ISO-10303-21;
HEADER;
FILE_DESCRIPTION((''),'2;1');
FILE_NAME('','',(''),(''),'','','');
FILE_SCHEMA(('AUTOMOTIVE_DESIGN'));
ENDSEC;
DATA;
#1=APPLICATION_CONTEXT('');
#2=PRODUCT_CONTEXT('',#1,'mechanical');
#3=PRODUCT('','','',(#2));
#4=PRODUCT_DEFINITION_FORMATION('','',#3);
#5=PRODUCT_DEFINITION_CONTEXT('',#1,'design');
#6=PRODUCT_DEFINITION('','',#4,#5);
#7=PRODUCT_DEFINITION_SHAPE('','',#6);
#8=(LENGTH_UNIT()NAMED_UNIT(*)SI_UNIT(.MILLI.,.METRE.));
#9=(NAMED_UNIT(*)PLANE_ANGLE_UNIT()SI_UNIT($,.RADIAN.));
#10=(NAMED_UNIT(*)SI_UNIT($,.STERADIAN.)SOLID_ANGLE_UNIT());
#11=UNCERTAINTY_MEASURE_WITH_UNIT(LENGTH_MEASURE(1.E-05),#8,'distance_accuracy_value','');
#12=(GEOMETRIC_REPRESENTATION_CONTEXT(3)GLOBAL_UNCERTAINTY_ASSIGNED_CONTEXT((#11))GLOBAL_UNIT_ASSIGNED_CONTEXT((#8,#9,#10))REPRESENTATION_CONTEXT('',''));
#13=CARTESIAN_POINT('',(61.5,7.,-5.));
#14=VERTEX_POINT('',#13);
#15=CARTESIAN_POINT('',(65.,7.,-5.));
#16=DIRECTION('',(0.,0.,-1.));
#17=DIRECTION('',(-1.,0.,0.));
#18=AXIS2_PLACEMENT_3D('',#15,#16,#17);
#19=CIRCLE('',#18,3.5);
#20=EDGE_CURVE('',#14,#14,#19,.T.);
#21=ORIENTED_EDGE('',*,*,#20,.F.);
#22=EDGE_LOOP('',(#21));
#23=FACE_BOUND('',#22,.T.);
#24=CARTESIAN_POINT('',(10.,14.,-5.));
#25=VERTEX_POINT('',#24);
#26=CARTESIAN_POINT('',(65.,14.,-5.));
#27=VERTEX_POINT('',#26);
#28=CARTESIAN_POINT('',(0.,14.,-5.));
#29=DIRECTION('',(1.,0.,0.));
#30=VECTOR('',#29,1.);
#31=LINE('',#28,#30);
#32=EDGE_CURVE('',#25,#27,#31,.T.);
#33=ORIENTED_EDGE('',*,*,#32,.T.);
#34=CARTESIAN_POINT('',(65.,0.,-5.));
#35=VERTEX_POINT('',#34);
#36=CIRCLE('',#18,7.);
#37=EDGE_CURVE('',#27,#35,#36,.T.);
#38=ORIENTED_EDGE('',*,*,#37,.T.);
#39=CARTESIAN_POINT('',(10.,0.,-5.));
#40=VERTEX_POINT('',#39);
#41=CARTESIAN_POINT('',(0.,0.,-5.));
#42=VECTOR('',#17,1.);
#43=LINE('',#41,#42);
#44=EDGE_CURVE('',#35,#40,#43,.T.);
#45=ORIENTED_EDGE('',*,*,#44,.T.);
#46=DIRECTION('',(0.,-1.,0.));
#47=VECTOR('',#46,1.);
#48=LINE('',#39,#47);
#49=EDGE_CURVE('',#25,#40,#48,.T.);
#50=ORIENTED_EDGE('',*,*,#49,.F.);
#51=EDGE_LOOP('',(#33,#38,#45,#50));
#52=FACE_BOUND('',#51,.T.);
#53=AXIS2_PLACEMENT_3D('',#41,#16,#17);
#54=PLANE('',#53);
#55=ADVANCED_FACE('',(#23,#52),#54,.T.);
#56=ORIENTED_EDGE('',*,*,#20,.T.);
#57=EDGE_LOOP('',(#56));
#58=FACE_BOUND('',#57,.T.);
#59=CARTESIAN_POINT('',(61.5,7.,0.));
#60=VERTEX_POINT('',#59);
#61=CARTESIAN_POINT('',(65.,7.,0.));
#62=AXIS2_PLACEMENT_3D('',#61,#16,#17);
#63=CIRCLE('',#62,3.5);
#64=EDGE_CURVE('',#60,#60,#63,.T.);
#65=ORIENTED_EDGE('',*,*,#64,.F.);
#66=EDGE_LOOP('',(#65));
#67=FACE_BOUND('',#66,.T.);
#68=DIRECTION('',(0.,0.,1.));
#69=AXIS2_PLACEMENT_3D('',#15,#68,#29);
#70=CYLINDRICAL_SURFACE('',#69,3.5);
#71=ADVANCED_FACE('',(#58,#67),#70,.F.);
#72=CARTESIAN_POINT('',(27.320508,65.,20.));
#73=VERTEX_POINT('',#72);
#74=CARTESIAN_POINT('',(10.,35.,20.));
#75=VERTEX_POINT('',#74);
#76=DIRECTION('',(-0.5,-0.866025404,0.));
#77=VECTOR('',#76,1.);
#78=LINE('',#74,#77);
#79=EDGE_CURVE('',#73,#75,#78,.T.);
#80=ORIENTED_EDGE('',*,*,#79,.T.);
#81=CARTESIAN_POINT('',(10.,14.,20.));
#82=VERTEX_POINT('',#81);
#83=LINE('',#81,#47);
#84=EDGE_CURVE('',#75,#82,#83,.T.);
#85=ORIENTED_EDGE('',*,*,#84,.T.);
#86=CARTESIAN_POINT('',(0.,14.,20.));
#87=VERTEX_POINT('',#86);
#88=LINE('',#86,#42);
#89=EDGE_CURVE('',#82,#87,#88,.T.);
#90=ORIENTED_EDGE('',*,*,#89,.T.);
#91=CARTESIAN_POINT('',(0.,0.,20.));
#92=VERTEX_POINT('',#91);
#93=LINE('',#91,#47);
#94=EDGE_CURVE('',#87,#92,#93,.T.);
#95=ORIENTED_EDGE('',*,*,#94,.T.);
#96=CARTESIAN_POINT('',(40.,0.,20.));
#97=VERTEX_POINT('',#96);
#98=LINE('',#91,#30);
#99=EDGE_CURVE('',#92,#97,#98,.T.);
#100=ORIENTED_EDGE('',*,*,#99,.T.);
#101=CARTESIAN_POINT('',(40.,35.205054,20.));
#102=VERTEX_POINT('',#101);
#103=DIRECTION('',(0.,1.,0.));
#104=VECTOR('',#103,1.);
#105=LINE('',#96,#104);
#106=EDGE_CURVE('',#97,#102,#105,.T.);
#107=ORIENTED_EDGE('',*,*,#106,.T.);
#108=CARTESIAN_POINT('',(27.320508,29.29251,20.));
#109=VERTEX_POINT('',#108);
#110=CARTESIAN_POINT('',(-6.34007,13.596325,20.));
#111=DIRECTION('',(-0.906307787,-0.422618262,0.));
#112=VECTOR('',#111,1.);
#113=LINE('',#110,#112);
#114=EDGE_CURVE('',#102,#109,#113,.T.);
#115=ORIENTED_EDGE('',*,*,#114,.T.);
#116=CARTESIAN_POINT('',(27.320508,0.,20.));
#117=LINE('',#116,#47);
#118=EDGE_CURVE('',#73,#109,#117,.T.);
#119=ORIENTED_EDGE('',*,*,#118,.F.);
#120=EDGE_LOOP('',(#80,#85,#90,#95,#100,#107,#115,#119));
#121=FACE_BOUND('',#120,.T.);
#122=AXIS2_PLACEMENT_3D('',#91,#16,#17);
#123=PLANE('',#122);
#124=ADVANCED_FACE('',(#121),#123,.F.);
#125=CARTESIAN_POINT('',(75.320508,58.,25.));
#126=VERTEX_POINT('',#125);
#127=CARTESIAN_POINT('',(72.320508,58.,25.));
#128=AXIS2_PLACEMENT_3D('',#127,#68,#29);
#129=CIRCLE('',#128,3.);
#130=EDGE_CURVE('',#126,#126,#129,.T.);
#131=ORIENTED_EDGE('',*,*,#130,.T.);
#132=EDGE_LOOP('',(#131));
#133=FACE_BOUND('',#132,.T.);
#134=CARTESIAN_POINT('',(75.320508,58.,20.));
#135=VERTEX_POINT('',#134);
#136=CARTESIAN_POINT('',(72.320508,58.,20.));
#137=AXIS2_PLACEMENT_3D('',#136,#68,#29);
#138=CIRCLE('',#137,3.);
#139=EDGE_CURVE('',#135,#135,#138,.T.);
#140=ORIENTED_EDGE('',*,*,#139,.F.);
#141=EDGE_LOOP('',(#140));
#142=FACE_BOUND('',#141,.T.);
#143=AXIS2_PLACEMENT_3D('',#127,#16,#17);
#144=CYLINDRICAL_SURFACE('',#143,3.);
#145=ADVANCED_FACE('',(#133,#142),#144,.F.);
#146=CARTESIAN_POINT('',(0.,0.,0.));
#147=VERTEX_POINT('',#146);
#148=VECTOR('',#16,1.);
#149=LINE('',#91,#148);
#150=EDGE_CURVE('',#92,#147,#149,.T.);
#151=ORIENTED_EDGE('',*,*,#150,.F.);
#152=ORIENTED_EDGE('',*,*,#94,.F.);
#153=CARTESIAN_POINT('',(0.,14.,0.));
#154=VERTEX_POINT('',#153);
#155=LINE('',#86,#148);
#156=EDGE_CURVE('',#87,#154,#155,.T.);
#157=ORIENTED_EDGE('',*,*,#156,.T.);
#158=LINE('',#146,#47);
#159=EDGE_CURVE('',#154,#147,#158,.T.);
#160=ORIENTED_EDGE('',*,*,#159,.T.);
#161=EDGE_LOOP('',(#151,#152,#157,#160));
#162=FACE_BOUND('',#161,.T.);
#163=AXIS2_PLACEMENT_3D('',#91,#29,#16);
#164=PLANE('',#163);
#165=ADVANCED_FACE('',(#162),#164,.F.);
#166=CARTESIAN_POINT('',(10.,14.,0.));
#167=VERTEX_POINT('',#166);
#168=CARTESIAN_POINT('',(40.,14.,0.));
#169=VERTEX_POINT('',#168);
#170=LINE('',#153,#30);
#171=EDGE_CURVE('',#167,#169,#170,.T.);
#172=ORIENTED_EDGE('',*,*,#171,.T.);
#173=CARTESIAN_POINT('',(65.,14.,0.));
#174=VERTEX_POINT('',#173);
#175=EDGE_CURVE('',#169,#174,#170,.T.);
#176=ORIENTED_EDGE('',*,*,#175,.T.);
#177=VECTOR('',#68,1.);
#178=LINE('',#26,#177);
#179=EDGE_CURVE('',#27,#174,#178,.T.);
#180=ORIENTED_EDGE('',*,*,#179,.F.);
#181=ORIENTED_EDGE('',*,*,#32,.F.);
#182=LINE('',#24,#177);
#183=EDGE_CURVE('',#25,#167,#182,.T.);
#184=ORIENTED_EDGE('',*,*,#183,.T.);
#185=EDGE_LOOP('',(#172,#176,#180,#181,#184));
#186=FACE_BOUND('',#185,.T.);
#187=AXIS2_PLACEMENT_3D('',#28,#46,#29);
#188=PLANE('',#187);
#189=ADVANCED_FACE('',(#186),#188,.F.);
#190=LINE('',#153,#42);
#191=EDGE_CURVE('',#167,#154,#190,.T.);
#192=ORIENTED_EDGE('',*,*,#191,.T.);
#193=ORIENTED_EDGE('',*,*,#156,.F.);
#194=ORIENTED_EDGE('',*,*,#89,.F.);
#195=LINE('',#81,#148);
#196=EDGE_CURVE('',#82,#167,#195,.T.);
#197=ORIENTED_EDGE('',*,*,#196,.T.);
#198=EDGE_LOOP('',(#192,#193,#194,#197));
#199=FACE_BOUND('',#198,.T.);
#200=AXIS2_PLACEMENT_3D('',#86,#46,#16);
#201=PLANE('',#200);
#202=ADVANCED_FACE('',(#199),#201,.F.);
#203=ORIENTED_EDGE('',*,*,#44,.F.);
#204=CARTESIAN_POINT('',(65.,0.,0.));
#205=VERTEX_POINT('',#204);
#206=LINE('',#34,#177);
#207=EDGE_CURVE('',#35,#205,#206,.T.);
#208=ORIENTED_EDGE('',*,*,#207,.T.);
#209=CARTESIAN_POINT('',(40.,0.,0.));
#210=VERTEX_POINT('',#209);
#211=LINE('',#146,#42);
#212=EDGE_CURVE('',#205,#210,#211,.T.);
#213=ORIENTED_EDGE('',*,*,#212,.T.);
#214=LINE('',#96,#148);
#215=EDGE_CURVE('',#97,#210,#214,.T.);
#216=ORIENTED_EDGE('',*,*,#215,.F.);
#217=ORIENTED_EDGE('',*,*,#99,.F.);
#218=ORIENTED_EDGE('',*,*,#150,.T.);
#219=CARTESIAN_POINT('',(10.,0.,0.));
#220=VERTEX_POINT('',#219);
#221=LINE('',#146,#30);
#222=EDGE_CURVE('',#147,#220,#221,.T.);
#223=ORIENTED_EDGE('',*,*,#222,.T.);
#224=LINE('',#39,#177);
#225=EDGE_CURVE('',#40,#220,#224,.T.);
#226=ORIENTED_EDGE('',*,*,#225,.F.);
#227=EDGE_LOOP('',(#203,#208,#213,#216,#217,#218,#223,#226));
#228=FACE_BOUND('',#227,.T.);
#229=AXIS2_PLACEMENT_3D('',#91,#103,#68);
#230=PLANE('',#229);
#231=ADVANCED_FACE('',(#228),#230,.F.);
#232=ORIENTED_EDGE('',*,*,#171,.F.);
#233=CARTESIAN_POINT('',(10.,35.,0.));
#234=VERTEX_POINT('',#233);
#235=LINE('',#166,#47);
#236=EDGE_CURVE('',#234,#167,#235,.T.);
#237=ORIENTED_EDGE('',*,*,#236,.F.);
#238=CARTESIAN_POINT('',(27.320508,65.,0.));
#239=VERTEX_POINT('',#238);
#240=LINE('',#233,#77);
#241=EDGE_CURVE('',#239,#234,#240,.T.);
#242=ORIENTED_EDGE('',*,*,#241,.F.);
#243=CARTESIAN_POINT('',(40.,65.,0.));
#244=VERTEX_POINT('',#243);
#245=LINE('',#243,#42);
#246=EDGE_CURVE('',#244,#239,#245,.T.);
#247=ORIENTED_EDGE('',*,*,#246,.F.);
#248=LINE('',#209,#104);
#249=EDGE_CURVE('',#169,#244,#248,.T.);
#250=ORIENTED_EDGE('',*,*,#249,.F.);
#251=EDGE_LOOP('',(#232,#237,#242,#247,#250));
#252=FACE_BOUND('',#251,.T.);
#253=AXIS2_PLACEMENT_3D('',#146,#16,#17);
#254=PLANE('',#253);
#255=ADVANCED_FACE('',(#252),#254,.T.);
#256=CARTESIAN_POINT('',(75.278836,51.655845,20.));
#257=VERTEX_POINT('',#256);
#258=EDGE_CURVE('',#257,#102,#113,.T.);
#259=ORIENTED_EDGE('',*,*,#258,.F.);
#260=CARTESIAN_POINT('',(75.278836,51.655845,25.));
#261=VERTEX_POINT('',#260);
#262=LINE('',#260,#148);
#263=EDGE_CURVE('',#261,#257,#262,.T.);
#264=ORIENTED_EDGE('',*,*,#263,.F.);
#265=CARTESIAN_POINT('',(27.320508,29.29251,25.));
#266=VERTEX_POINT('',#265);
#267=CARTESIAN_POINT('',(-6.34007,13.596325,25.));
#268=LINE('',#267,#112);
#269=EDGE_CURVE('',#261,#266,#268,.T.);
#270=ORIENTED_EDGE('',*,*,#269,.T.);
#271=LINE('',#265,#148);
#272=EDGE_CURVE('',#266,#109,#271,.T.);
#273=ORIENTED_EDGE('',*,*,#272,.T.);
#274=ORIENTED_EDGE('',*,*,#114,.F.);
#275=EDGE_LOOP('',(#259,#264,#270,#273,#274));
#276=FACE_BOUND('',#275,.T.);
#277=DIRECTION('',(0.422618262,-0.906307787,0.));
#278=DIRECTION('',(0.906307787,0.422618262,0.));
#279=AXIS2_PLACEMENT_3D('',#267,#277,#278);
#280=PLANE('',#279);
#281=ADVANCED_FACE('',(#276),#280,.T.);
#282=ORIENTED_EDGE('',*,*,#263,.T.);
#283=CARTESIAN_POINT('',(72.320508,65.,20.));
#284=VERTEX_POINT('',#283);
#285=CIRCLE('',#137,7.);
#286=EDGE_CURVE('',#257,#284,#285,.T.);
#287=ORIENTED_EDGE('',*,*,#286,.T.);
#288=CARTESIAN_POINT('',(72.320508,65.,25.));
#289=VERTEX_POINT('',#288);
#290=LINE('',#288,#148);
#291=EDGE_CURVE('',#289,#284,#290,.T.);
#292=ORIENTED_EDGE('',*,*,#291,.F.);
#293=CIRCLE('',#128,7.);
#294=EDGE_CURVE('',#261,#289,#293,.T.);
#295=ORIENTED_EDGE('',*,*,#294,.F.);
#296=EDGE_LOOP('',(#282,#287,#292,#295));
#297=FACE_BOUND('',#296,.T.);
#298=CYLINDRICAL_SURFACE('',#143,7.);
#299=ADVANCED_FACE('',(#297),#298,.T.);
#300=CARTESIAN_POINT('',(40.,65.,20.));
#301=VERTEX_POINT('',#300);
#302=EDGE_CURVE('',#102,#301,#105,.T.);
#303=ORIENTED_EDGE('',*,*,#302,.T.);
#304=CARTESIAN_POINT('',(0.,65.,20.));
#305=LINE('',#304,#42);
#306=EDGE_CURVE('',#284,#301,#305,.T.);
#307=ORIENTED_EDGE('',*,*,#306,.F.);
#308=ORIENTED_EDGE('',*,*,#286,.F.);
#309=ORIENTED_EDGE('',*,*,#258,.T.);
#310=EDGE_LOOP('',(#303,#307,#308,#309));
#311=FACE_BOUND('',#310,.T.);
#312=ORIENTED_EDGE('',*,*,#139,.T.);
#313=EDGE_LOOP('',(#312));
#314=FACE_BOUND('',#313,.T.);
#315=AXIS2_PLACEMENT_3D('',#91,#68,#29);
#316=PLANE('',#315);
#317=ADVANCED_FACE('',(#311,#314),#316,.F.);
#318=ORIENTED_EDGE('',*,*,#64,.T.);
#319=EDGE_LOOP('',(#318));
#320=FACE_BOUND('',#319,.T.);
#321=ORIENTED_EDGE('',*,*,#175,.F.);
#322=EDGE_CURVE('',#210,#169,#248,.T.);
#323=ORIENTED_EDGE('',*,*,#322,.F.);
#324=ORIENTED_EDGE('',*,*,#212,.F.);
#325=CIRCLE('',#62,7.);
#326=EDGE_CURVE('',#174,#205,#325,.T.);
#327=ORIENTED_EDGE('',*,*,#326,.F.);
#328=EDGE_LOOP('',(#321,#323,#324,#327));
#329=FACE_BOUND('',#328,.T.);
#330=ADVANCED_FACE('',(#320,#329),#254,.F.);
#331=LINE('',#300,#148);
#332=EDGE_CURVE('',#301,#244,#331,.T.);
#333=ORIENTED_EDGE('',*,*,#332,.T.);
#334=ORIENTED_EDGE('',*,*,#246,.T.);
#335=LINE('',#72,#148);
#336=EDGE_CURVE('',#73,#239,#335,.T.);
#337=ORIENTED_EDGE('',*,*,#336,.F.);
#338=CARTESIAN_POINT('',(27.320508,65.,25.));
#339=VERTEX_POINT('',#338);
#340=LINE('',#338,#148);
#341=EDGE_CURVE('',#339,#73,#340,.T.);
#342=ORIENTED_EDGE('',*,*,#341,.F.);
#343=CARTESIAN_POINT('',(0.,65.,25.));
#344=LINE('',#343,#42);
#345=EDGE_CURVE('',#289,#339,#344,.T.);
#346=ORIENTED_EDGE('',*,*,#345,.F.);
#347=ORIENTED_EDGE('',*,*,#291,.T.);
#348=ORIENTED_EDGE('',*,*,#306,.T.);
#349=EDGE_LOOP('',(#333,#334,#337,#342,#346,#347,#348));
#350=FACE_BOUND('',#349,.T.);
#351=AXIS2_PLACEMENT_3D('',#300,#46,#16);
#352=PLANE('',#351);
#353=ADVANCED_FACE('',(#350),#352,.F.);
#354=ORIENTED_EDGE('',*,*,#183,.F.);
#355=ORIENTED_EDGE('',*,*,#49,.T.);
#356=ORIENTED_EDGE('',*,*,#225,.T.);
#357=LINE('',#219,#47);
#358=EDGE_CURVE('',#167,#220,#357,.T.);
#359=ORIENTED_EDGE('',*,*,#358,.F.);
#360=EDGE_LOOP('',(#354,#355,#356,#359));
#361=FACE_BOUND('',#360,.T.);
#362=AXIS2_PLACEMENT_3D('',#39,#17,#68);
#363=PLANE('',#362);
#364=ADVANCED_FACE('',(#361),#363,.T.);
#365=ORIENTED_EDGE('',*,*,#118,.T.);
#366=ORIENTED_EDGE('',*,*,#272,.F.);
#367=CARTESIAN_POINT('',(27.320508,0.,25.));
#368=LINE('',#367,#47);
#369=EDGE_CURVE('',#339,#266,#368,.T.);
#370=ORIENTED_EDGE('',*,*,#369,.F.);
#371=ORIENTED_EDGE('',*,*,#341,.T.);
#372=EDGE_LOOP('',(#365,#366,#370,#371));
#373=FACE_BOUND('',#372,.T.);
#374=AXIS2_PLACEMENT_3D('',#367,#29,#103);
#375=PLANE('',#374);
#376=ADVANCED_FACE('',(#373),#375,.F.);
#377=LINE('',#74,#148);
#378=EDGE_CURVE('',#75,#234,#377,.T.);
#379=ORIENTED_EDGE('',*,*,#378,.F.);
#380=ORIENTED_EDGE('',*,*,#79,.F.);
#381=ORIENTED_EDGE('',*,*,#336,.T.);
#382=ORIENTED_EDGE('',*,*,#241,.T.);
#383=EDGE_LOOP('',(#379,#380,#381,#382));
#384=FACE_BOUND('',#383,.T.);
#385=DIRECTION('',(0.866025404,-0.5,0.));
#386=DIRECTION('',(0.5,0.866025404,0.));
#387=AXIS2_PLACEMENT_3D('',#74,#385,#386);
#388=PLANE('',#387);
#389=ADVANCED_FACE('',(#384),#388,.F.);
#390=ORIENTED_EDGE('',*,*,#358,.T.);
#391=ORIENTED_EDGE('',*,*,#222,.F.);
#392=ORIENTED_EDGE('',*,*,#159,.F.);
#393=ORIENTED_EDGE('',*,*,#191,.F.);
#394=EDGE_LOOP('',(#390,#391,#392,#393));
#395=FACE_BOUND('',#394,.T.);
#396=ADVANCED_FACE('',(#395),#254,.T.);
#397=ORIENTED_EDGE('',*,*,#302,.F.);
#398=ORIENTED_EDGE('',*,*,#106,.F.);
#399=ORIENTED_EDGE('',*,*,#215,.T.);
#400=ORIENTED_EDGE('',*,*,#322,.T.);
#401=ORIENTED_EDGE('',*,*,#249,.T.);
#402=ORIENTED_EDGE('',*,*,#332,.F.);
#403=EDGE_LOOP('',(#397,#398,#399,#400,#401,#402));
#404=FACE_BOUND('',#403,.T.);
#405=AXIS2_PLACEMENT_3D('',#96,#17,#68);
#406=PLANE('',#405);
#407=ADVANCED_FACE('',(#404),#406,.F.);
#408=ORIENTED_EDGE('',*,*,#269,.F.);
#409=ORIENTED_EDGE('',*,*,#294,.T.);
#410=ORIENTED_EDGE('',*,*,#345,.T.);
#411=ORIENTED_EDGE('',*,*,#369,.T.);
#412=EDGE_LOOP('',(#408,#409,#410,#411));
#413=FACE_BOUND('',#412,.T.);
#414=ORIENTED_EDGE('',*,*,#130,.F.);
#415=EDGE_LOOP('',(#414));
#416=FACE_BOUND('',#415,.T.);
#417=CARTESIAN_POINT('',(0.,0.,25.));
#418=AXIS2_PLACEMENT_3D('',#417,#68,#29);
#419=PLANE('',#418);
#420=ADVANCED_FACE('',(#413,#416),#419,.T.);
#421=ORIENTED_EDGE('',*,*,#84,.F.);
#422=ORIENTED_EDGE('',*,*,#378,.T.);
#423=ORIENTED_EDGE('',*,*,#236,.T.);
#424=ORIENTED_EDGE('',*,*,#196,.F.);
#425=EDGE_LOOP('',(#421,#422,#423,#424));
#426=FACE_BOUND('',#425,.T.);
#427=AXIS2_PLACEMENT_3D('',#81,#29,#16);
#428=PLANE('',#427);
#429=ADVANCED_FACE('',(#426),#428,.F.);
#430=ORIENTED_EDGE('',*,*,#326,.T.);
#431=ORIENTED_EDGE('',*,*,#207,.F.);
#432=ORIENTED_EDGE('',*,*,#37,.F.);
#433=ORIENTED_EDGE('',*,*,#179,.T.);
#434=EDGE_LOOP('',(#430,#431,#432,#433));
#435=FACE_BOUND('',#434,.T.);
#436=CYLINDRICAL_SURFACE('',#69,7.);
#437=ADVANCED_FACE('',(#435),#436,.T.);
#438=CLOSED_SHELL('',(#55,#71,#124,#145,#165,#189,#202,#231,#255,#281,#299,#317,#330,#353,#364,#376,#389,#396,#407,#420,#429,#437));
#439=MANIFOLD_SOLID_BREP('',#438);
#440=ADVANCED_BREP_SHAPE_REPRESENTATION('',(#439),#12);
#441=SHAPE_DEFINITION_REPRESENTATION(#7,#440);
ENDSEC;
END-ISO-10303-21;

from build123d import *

# Parameters (mm, degrees)
BOSS_EXTRUDE1_DEPTH = 20
SKETCH2_R           = 7
SKETCH2_R_2         = 3
BOSS_EXTRUDE2_DEPTH = 5
SKETCH3_W           = 30
SKETCH3_H           = 14
SKETCH3_R           = 7
SKETCH3_R_2         = 3.5
BOSS_EXTRUDE3_DEPTH = 5


with BuildPart() as part:
    # Sketch1 → Boss-Extrude1 (new body)
    with BuildSketch(Plane.XY):
        Polygon((0, 0), (40, 0), (40, 65), (27.320508076, 65), (10, 35), (10, 14), (0, 14), align=None)
    extrude(amount=BOSS_EXTRUDE1_DEPTH)

    # Sketch2 → Boss-Extrude2 (add)
    # profile 1 of 3: a face of its own
    with BuildSketch(Plane.XY.offset(20)):
        Polygon((40, 65), (27.320508076, 65), (27.320508076, 29.29250995), (40, 35.205054136), align=None)
    # profile 2 of 3: a face of its own
    with BuildSketch(Plane.XY.offset(20)):
        with BuildLine():
            Line((72.320508076, 65), (40, 65))
            Line((40, 65), (40, 35.205054136))
            Line((40, 35.205054136), (75.278835908, 51.655845491))
            ThreePointArc((75.278835908, 51.655845491), (65.486436026, 56.484922702), (72.320508076, 65))
        make_face()
    # profile 3 of 3: a face of its own
    with BuildSketch(Plane.XY.offset(20)):
        with Locations((72.320508076, 58)):
            Circle(SKETCH2_R)
        with Locations((72.320508076, 58)):
            Circle(SKETCH2_R_2, mode=Mode.SUBTRACT)
    extrude(amount=BOSS_EXTRUDE2_DEPTH)

    # Sketch3 → Boss-Extrude3 (add)
    # profile 1 of 3: a face of its own
    with BuildSketch(Plane(origin=(0, 0, 0), x_dir=(-1, 0, 0), z_dir=(0, 0, -1))):
        with BuildLine():
            Line((-40, 0), (-40, 14))
            Line((-40, 14), (-65, 14))
            ThreePointArc((-65, 14), (-60.050252532, 11.949747468), (-58, 7))
            ThreePointArc((-58, 7), (-60.050252532, 2.050252532), (-65, 0))
            Line((-65, 0), (-40, 0))
        make_face()
    # profile 2 of 3: a face of its own
    with BuildSketch(Plane(origin=(0, 0, 0), x_dir=(-1, 0, 0), z_dir=(0, 0, -1))):
        with Locations((-25, 7)):
            Rectangle(SKETCH3_W, SKETCH3_H)
    # profile 3 of 3: a face of its own
    with BuildSketch(Plane(origin=(0, 0, 0), x_dir=(-1, 0, 0), z_dir=(0, 0, -1))):
        with Locations((-65, 7)):
            Circle(SKETCH3_R)
        with Locations((-65, 7)):
            Circle(SKETCH3_R_2, mode=Mode.SUBTRACT)
    extrude(amount=BOSS_EXTRUDE3_DEPTH)


solid = part.part
